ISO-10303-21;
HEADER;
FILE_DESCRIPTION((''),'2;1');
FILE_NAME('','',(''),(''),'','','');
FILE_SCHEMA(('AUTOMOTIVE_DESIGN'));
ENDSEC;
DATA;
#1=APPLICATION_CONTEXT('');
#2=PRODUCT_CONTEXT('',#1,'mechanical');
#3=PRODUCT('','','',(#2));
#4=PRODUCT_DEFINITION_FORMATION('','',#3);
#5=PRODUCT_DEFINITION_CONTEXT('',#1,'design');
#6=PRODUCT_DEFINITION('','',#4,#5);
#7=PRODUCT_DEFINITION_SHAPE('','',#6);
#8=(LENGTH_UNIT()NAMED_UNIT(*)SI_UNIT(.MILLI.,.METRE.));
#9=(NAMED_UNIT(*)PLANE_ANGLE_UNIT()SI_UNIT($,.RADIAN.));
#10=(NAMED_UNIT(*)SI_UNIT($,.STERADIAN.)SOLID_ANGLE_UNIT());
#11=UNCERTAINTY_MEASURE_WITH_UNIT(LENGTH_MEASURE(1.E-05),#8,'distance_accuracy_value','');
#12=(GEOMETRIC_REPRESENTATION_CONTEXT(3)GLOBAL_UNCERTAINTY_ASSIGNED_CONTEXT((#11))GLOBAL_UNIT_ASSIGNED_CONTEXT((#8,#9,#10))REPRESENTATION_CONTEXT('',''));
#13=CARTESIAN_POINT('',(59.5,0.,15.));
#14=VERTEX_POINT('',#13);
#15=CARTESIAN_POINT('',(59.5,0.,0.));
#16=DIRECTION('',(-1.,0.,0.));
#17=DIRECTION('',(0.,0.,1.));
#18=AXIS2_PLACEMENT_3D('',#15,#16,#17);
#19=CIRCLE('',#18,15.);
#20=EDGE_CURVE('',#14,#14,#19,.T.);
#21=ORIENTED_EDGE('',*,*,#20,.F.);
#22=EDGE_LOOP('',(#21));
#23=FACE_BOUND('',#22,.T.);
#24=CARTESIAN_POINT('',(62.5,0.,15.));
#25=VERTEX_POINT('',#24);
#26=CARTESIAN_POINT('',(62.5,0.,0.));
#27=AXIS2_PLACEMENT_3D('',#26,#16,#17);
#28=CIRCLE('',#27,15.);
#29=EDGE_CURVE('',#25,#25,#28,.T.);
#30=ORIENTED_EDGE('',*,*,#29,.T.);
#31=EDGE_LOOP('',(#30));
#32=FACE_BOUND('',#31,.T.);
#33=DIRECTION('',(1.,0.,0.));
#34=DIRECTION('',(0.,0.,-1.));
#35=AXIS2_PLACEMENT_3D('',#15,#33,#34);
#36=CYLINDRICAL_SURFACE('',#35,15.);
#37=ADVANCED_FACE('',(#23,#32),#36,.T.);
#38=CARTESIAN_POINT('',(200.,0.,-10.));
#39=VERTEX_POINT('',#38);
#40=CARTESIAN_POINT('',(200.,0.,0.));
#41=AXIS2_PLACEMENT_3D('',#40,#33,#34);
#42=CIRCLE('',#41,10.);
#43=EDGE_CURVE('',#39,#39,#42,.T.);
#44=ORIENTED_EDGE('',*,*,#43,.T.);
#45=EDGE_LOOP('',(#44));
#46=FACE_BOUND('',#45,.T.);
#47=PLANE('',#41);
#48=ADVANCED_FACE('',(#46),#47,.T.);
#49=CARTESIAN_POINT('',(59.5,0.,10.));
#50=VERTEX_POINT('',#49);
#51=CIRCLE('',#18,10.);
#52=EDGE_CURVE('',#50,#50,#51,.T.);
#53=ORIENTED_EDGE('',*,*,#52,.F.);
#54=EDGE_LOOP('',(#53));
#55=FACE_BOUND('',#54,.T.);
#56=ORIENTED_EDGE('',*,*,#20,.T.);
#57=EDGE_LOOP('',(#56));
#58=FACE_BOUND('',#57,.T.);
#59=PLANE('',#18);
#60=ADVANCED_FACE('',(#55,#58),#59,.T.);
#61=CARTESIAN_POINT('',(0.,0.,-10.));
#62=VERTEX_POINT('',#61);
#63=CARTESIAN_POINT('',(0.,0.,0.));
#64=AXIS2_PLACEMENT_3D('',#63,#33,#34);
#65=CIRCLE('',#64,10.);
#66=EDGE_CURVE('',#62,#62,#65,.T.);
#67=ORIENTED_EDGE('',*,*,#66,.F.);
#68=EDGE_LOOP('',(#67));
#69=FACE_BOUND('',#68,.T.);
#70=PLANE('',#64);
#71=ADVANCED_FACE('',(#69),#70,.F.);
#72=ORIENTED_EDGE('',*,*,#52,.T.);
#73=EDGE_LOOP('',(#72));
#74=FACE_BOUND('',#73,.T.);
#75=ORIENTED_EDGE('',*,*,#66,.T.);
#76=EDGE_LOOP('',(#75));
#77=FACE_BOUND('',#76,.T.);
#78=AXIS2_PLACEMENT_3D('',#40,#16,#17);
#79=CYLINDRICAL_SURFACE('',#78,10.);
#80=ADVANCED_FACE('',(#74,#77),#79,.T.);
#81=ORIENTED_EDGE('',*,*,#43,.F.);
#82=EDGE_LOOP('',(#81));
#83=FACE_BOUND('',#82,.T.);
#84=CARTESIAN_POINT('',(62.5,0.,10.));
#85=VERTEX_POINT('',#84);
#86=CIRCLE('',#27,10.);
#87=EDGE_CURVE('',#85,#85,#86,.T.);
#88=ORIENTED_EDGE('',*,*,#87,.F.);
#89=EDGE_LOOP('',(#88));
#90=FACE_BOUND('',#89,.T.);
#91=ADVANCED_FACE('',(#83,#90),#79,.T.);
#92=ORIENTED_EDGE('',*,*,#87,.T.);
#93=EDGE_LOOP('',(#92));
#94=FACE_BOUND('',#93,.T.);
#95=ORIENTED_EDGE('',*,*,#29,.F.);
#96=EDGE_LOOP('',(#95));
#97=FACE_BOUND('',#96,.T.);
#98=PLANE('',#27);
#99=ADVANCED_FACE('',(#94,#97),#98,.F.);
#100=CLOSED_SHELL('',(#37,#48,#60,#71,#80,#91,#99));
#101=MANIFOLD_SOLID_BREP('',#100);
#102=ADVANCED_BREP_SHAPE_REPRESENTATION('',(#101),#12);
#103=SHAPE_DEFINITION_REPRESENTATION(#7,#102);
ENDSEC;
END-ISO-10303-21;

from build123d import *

# Parameters (mm, degrees)
CROQUIS1_R              = 10
SALIENTE_EXTRUIR1_DEPTH = 200
CROQUIS2_R              = 15
SALIENTE_EXTRUIR2_DEPTH = 3


with BuildPart() as part:
    # Croquis1 → Saliente-Extruir1 (new body)
    with BuildSketch(Plane(origin=(0, 0, 0), x_dir=(0, 0, -1), z_dir=(1, 0, 0))):
        Circle(CROQUIS1_R)
    extrude(amount=SALIENTE_EXTRUIR1_DEPTH)

    # Croquis2 → Saliente-Extruir2 (add)
    with BuildSketch(Plane.ZY.offset(-62.5)):
        Circle(CROQUIS2_R)
    extrude(amount=SALIENTE_EXTRUIR2_DEPTH)


solid = part.part
